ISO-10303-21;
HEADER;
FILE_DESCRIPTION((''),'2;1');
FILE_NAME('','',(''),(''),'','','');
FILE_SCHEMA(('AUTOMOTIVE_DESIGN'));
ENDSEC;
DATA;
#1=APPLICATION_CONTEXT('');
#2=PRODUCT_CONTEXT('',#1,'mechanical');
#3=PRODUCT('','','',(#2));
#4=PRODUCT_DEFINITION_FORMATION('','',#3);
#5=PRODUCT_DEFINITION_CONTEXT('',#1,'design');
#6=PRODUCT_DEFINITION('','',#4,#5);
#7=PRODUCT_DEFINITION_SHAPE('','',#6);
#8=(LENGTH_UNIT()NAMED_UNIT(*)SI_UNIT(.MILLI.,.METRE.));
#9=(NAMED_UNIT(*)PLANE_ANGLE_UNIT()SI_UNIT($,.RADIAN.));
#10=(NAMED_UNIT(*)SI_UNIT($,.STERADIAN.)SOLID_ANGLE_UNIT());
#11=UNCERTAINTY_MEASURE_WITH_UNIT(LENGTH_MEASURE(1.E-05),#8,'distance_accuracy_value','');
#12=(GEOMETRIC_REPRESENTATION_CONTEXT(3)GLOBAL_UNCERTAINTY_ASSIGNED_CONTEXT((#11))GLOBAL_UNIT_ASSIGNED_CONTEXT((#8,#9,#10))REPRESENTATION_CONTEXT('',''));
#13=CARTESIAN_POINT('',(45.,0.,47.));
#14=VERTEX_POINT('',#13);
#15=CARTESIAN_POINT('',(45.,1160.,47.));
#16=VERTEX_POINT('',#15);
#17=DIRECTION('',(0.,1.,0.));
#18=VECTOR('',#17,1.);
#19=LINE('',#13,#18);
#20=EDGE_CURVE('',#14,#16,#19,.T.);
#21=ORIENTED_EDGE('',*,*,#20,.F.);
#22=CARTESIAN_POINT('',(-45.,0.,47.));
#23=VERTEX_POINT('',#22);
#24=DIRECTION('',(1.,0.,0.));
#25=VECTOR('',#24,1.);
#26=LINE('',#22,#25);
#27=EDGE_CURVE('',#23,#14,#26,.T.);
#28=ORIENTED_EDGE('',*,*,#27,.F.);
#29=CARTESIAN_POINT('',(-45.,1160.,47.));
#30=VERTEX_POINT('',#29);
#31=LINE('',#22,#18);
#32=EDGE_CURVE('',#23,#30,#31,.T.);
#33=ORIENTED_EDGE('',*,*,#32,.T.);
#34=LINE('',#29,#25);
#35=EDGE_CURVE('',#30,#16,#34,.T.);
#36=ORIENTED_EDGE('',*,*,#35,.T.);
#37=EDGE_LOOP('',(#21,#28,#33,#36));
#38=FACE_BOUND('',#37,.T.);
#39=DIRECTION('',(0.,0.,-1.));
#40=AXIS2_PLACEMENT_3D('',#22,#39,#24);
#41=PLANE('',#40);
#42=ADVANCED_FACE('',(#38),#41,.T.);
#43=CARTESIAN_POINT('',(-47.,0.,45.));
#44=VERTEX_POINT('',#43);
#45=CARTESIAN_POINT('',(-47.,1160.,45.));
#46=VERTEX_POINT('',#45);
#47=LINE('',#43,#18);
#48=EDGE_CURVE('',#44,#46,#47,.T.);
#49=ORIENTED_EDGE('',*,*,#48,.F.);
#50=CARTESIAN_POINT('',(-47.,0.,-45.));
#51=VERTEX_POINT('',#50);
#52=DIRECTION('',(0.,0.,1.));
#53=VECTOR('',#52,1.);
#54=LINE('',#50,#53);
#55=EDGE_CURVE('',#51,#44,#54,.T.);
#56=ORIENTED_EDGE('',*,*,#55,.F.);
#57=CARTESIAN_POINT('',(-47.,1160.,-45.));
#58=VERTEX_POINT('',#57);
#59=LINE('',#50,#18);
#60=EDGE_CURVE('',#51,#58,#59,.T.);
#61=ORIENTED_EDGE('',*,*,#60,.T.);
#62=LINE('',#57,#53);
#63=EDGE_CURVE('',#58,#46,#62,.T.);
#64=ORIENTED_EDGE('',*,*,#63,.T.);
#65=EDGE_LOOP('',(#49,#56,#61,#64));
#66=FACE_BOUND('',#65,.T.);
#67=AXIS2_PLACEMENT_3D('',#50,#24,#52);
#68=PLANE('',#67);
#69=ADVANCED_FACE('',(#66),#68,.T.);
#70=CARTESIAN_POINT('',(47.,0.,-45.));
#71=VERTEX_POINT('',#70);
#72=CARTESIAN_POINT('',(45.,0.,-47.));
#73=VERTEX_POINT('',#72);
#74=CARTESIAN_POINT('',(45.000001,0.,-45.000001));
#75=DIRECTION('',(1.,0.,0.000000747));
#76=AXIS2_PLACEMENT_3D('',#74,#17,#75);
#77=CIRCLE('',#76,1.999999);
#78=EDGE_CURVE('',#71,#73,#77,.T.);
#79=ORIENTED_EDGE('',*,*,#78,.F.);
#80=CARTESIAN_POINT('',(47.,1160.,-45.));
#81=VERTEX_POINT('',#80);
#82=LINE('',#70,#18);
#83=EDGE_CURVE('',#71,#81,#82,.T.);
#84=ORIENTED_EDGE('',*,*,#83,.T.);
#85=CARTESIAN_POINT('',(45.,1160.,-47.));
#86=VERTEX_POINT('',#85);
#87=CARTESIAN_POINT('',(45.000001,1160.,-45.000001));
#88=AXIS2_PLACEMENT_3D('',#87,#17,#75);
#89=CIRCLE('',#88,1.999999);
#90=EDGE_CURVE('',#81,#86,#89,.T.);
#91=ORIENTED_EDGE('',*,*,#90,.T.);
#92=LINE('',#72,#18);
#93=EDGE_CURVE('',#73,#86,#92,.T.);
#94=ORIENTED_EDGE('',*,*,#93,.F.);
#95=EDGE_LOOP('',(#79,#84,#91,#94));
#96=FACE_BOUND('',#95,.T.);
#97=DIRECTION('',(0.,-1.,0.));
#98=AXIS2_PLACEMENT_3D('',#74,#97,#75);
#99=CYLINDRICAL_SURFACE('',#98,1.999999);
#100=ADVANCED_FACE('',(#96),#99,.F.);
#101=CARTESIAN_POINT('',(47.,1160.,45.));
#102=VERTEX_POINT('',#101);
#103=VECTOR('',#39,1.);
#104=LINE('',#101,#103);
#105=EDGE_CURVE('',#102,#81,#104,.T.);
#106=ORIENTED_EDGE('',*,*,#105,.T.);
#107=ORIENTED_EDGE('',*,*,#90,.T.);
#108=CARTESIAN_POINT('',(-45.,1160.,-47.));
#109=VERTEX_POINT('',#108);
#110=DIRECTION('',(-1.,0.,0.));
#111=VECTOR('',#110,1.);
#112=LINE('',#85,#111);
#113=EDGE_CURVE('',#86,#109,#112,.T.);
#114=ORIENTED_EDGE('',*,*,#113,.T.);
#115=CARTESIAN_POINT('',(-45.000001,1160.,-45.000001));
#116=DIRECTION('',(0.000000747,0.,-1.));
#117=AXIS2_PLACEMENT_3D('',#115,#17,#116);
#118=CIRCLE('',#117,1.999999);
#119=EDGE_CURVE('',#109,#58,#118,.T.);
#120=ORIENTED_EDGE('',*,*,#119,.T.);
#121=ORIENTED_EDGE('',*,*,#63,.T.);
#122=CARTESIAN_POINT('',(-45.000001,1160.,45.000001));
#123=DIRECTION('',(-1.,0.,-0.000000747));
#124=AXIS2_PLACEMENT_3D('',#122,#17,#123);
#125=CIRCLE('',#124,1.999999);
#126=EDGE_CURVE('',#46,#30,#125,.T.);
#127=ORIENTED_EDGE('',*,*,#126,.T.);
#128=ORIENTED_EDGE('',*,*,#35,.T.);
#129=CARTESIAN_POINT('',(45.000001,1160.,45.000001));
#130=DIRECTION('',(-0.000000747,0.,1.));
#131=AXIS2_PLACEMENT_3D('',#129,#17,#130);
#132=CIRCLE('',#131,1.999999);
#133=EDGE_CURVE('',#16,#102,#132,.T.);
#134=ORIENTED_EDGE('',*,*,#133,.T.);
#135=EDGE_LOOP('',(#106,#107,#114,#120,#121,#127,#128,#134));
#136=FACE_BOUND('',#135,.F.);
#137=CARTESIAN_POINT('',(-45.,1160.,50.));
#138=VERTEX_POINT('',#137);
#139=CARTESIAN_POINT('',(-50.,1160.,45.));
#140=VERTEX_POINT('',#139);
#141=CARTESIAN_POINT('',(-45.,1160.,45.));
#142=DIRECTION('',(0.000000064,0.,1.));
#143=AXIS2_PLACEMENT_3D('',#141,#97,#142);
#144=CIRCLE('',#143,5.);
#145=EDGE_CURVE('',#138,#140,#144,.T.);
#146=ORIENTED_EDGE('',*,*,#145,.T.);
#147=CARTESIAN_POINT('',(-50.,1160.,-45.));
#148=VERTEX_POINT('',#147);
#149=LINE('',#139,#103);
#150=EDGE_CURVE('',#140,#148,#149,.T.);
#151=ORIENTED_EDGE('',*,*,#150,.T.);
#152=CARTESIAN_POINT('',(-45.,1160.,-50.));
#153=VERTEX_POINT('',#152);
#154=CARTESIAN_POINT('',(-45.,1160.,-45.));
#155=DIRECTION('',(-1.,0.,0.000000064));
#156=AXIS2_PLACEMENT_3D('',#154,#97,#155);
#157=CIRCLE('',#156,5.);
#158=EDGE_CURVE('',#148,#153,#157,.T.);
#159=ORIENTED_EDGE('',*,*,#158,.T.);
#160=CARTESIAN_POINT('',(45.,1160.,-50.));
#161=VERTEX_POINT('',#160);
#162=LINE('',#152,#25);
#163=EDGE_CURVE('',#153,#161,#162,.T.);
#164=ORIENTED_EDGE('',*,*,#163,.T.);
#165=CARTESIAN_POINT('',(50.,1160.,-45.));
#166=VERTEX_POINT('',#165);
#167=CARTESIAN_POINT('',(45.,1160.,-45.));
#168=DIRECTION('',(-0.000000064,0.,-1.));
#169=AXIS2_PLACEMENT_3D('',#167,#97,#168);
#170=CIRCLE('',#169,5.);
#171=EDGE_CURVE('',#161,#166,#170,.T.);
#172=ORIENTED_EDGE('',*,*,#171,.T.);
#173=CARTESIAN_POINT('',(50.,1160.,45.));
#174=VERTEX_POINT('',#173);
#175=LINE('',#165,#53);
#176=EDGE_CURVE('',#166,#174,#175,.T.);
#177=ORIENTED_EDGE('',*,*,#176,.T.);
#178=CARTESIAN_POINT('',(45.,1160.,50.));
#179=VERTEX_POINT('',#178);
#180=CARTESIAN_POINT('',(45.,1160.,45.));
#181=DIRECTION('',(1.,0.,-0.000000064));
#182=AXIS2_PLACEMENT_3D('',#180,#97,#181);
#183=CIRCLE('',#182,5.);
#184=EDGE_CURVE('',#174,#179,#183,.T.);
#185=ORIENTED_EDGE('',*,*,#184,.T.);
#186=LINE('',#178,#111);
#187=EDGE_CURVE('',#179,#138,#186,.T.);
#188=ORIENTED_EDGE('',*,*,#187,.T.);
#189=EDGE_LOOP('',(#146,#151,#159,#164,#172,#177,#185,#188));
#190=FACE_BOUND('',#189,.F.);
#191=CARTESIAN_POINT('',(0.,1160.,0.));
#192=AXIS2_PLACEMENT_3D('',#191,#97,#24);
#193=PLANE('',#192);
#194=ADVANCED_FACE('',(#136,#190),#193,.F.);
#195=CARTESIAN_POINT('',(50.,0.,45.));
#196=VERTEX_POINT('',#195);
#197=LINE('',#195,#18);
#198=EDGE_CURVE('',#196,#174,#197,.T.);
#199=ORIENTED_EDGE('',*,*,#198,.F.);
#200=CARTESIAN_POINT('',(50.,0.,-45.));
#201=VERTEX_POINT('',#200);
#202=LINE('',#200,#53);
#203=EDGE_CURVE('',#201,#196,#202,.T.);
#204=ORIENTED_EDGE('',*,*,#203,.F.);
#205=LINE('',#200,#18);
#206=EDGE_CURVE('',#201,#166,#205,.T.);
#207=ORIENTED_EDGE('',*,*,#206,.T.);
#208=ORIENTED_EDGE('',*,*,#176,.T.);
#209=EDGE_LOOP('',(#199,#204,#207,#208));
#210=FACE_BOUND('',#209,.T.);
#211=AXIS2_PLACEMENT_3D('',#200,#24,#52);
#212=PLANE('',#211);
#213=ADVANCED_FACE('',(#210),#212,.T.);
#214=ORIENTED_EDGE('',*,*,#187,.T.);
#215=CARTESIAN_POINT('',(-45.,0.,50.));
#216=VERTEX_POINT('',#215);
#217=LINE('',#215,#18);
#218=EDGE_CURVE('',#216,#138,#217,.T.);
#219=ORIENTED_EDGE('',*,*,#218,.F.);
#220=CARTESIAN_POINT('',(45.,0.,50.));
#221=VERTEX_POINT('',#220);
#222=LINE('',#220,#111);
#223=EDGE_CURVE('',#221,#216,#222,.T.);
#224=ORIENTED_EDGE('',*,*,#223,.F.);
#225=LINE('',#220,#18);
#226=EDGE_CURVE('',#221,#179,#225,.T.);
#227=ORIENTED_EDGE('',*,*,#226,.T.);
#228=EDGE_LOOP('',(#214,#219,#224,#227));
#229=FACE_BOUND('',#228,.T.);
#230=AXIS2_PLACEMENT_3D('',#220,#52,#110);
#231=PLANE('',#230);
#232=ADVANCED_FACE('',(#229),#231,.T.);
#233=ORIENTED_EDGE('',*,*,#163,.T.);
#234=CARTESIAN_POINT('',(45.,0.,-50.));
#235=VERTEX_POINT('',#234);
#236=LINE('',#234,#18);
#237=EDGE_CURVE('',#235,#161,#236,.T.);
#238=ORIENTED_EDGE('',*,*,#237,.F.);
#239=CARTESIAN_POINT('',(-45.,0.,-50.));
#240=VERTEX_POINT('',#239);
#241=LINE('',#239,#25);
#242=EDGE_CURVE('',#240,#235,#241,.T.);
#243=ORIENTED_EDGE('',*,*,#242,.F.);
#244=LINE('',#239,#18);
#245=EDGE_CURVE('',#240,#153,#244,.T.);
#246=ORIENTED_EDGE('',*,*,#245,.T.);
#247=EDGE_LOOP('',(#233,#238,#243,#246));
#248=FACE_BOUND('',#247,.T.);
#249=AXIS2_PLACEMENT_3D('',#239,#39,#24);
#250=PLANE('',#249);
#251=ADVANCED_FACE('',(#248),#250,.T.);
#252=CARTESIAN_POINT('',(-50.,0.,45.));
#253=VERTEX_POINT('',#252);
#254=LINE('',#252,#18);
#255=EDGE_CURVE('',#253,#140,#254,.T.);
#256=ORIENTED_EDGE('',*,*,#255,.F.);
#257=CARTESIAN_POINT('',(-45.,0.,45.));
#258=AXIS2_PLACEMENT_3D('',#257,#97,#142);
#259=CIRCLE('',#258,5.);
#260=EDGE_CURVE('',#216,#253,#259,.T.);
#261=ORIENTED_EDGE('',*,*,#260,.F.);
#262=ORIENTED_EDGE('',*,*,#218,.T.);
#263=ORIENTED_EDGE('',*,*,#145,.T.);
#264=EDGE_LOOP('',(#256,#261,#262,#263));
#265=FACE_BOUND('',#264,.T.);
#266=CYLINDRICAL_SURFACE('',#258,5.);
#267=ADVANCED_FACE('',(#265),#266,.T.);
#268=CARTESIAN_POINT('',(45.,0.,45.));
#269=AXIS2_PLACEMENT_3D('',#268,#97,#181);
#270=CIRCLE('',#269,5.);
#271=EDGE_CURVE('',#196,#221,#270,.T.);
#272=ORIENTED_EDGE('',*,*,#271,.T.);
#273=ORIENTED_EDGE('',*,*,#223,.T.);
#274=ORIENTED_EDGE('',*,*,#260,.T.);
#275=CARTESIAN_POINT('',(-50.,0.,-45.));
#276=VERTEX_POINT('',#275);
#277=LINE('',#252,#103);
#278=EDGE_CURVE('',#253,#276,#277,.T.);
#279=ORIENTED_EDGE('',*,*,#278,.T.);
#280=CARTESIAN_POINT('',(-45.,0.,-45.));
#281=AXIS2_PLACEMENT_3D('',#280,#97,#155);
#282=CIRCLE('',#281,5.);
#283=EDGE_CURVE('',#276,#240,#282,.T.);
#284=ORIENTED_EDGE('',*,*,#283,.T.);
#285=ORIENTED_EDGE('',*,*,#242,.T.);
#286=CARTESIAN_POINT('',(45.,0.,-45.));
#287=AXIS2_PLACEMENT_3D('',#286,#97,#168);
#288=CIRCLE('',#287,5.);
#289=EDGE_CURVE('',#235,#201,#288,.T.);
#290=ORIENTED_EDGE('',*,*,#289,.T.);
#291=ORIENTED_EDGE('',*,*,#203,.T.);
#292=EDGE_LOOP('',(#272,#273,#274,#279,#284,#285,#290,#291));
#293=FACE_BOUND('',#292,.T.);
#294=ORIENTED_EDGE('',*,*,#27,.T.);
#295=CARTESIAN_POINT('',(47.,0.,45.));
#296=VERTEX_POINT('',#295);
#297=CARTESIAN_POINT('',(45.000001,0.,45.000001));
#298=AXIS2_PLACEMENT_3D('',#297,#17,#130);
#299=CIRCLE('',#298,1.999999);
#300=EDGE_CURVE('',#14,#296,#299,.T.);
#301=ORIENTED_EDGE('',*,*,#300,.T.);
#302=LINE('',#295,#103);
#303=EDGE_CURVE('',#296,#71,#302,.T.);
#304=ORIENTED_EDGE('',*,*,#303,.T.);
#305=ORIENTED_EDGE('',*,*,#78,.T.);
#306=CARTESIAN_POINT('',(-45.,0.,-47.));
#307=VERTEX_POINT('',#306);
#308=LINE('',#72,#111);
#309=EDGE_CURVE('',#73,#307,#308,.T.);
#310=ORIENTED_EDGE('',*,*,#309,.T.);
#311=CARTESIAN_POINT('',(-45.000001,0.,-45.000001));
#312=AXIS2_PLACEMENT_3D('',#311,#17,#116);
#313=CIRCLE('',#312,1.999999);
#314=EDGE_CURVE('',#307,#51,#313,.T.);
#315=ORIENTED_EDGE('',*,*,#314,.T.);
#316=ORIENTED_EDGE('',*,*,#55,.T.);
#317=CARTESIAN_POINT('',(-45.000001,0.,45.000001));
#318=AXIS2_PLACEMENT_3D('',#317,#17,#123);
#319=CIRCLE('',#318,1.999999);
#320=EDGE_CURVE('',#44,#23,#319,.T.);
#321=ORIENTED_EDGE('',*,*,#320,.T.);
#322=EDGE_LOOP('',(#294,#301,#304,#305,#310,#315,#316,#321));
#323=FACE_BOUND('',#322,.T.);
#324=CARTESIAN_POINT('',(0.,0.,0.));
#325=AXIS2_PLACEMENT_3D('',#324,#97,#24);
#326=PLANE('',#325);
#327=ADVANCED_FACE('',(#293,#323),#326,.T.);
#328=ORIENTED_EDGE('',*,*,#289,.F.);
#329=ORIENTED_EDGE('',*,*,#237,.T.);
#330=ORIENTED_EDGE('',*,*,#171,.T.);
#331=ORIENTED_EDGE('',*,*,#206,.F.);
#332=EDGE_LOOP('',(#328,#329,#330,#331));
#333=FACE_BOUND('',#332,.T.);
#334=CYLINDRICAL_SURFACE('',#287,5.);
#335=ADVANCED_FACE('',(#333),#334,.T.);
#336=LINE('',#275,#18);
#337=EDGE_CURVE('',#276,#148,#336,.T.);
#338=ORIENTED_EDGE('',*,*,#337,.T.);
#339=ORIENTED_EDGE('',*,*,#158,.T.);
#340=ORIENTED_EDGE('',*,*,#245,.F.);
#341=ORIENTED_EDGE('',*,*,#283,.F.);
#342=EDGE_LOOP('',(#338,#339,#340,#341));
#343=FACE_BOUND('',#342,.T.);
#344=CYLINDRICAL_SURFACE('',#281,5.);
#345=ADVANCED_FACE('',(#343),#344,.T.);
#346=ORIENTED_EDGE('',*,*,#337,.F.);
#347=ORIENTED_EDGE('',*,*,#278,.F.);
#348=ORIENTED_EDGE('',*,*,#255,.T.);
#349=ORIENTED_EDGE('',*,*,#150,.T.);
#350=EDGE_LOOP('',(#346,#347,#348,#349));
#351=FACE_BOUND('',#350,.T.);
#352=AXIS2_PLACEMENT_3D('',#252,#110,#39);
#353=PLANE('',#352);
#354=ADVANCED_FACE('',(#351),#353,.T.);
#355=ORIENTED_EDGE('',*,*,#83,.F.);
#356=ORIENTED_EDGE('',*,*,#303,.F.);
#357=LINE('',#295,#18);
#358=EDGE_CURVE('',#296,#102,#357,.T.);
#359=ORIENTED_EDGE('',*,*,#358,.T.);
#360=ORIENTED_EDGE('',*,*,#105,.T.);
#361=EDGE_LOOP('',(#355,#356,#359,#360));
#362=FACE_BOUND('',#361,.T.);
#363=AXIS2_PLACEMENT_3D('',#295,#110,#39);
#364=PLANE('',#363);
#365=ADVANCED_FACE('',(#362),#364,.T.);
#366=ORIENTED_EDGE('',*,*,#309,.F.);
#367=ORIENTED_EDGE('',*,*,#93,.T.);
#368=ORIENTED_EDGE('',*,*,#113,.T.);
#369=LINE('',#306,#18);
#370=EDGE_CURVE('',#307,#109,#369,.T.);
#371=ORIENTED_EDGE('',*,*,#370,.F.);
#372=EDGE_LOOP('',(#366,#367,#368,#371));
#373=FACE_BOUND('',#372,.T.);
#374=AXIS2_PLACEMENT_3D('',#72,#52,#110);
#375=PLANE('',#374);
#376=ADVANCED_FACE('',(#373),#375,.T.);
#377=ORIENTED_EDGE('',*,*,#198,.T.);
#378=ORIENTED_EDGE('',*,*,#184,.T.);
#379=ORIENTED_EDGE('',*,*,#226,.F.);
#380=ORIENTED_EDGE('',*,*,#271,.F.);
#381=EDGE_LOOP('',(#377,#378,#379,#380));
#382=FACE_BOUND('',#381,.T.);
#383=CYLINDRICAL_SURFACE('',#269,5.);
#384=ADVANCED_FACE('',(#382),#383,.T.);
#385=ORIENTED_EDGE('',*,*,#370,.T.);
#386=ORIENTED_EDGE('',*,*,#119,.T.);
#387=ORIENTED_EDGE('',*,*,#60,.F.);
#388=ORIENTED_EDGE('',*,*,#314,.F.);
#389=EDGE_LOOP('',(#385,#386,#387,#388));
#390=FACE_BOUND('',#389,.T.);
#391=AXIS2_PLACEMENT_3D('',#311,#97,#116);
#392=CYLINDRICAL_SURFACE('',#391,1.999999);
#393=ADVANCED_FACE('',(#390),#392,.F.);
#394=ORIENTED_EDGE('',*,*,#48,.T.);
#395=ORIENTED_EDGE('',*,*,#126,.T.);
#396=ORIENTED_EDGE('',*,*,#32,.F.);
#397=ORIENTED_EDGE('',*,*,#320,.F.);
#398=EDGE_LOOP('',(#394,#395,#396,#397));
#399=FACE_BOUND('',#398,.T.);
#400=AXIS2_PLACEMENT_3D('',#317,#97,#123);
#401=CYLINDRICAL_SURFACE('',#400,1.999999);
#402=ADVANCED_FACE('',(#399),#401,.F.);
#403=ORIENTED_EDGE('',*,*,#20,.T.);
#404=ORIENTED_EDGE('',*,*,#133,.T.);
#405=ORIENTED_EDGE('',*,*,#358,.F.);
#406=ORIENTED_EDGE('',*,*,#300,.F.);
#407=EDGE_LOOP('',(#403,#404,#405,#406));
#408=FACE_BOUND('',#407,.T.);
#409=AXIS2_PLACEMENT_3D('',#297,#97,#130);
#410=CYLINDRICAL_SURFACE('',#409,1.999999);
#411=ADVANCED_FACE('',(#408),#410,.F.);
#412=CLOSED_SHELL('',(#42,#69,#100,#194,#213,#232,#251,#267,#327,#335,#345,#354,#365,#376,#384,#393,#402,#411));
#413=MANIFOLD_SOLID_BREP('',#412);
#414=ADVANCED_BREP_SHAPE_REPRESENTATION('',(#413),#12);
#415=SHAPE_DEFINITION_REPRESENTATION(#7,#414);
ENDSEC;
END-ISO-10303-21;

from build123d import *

# Parameters (mm, degrees)
F1_DEPTH = 1160


with BuildPart() as f1:
    # F0 (on Front) → F1 (new body)
    with BuildSketch(Plane.XZ):
        with BuildLine():
            ThreePointArc((50, 45), (48.535534, 48.535534), (45, 50))
            Line((45, 50), (-45, 50))
            ThreePointArc((-45, 50), (-48.535534, 48.535534), (-50, 45))
            Line((-50, 45), (-50, -45))
            ThreePointArc((-50, -45), (-48.535534, -48.535534), (-45, -50))
            Line((-45, -50), (45, -50))
            ThreePointArc((45, -50), (48.535534, -48.535534), (50, -45))
            Line((50, -45), (50, 45))
        make_face()
        with BuildLine():
            ThreePointArc((-47, 45), (-46.414214, 46.414214), (-45, 47))
            Line((-45, 47), (45, 47))
            ThreePointArc((45, 47), (46.414214, 46.414214), (47, 45))
            Line((47, 45), (47, -45))
            ThreePointArc((47, -45), (46.414214, -46.414214), (45, -47))
            Line((45, -47), (-45, -47))
            ThreePointArc((-45, -47), (-46.414214, -46.414214), (-47, -45))
            Line((-47, -45), (-47, 45))
        make_face(mode=Mode.SUBTRACT)
    extrude(amount=-F1_DEPTH)


solid = f1.part
